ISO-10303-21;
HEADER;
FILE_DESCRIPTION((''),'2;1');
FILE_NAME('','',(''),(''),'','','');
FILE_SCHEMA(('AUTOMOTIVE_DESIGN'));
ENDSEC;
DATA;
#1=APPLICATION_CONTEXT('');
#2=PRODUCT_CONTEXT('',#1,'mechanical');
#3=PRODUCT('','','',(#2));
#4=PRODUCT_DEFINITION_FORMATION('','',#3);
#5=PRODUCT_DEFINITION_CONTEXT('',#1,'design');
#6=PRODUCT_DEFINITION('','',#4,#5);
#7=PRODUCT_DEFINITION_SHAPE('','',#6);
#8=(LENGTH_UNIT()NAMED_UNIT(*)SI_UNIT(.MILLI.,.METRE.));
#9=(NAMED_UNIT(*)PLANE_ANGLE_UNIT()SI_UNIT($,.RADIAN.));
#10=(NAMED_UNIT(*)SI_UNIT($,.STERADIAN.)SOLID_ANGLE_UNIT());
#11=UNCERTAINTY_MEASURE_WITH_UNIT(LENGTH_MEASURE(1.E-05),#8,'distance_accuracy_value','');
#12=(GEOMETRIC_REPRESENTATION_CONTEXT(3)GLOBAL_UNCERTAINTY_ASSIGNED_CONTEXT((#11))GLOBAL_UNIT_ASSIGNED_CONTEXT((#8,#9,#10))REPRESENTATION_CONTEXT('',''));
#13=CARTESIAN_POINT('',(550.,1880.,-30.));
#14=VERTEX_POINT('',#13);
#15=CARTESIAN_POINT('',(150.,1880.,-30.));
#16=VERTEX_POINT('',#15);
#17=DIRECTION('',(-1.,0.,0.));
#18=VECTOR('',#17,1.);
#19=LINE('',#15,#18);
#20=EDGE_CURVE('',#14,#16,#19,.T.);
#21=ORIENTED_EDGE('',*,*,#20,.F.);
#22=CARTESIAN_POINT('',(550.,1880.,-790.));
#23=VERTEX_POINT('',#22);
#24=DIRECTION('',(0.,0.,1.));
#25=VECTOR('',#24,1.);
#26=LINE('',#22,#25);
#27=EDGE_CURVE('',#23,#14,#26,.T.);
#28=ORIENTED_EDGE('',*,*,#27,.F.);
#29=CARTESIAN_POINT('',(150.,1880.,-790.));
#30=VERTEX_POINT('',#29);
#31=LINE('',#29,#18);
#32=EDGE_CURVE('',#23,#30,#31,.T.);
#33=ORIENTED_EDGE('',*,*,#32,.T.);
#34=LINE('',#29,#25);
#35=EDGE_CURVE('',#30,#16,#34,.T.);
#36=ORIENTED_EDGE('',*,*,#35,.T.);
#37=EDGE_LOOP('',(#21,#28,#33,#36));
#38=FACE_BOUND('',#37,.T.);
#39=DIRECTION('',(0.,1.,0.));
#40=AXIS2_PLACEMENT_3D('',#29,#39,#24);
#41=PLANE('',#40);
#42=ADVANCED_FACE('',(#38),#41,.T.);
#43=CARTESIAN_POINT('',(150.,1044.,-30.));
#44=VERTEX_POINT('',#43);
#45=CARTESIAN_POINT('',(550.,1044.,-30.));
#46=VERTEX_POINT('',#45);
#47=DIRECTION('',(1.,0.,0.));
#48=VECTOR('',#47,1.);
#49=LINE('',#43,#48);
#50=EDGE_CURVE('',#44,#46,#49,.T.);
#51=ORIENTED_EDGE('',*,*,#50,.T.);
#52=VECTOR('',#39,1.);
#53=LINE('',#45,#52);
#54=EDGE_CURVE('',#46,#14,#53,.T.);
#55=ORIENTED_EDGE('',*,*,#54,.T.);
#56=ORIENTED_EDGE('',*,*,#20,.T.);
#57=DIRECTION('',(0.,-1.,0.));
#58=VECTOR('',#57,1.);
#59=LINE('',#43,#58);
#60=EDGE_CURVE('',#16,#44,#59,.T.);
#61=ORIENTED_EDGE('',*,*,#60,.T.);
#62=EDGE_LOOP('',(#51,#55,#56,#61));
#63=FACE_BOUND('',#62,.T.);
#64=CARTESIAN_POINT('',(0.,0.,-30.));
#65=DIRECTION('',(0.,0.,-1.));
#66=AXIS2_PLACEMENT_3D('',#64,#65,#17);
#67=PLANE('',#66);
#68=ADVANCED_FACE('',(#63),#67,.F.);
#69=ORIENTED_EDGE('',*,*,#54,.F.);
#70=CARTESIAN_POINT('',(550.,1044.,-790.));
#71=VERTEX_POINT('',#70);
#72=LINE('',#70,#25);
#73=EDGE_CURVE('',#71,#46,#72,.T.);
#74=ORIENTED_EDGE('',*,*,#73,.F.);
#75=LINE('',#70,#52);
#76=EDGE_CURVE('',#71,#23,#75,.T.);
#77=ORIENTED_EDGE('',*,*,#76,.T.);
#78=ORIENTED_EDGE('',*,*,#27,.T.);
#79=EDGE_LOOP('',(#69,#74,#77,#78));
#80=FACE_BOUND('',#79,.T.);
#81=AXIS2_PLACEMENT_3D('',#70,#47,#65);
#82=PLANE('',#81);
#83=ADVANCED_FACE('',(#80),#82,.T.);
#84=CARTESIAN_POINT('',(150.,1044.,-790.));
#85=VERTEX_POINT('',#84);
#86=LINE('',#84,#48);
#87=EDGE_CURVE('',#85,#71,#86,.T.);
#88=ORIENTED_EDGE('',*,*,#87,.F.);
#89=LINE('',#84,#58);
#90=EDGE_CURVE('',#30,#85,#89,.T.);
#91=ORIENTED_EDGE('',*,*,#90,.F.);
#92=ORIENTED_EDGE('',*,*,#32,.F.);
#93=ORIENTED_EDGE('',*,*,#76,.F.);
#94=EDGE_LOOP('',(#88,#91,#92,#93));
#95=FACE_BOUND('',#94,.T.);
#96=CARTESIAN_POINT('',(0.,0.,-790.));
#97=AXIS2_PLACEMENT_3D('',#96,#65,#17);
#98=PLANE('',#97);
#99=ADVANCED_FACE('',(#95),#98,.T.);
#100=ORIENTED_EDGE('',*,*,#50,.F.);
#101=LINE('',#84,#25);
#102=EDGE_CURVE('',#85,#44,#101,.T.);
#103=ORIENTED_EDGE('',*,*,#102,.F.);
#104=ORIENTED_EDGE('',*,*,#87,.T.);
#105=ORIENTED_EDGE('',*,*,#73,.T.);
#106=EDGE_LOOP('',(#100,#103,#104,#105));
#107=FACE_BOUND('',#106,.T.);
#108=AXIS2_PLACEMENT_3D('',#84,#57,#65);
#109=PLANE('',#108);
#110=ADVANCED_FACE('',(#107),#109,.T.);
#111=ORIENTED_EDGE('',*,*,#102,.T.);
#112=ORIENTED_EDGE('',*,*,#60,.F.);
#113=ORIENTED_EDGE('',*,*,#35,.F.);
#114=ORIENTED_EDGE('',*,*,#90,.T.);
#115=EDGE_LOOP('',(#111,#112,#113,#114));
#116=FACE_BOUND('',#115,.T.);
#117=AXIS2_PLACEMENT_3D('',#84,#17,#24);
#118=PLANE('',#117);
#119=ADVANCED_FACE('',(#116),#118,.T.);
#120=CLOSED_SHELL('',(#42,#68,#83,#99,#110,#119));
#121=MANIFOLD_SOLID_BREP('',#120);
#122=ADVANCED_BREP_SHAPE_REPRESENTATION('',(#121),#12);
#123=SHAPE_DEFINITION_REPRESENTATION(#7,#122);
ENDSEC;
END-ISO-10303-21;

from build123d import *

# Parameters (mm, degrees)
PACK_BLANK_YIGINI_525_ADET_1_START = -30
SKETCH1_W                          = 400
SKETCH1_H                          = 836
PACK_BLANK_YIGINI_525_ADET_1_DEPTH = 760


with BuildPart() as part:
    # Sketch1 → PACK_blank_yigini_525_adet_1 (new body)
    with BuildSketch(Plane.XY.offset(PACK_BLANK_YIGINI_525_ADET_1_START)):
        with Locations((350, 1462)):
            Rectangle(SKETCH1_W, SKETCH1_H)
    extrude(amount=-PACK_BLANK_YIGINI_525_ADET_1_DEPTH)


solid = part.part
